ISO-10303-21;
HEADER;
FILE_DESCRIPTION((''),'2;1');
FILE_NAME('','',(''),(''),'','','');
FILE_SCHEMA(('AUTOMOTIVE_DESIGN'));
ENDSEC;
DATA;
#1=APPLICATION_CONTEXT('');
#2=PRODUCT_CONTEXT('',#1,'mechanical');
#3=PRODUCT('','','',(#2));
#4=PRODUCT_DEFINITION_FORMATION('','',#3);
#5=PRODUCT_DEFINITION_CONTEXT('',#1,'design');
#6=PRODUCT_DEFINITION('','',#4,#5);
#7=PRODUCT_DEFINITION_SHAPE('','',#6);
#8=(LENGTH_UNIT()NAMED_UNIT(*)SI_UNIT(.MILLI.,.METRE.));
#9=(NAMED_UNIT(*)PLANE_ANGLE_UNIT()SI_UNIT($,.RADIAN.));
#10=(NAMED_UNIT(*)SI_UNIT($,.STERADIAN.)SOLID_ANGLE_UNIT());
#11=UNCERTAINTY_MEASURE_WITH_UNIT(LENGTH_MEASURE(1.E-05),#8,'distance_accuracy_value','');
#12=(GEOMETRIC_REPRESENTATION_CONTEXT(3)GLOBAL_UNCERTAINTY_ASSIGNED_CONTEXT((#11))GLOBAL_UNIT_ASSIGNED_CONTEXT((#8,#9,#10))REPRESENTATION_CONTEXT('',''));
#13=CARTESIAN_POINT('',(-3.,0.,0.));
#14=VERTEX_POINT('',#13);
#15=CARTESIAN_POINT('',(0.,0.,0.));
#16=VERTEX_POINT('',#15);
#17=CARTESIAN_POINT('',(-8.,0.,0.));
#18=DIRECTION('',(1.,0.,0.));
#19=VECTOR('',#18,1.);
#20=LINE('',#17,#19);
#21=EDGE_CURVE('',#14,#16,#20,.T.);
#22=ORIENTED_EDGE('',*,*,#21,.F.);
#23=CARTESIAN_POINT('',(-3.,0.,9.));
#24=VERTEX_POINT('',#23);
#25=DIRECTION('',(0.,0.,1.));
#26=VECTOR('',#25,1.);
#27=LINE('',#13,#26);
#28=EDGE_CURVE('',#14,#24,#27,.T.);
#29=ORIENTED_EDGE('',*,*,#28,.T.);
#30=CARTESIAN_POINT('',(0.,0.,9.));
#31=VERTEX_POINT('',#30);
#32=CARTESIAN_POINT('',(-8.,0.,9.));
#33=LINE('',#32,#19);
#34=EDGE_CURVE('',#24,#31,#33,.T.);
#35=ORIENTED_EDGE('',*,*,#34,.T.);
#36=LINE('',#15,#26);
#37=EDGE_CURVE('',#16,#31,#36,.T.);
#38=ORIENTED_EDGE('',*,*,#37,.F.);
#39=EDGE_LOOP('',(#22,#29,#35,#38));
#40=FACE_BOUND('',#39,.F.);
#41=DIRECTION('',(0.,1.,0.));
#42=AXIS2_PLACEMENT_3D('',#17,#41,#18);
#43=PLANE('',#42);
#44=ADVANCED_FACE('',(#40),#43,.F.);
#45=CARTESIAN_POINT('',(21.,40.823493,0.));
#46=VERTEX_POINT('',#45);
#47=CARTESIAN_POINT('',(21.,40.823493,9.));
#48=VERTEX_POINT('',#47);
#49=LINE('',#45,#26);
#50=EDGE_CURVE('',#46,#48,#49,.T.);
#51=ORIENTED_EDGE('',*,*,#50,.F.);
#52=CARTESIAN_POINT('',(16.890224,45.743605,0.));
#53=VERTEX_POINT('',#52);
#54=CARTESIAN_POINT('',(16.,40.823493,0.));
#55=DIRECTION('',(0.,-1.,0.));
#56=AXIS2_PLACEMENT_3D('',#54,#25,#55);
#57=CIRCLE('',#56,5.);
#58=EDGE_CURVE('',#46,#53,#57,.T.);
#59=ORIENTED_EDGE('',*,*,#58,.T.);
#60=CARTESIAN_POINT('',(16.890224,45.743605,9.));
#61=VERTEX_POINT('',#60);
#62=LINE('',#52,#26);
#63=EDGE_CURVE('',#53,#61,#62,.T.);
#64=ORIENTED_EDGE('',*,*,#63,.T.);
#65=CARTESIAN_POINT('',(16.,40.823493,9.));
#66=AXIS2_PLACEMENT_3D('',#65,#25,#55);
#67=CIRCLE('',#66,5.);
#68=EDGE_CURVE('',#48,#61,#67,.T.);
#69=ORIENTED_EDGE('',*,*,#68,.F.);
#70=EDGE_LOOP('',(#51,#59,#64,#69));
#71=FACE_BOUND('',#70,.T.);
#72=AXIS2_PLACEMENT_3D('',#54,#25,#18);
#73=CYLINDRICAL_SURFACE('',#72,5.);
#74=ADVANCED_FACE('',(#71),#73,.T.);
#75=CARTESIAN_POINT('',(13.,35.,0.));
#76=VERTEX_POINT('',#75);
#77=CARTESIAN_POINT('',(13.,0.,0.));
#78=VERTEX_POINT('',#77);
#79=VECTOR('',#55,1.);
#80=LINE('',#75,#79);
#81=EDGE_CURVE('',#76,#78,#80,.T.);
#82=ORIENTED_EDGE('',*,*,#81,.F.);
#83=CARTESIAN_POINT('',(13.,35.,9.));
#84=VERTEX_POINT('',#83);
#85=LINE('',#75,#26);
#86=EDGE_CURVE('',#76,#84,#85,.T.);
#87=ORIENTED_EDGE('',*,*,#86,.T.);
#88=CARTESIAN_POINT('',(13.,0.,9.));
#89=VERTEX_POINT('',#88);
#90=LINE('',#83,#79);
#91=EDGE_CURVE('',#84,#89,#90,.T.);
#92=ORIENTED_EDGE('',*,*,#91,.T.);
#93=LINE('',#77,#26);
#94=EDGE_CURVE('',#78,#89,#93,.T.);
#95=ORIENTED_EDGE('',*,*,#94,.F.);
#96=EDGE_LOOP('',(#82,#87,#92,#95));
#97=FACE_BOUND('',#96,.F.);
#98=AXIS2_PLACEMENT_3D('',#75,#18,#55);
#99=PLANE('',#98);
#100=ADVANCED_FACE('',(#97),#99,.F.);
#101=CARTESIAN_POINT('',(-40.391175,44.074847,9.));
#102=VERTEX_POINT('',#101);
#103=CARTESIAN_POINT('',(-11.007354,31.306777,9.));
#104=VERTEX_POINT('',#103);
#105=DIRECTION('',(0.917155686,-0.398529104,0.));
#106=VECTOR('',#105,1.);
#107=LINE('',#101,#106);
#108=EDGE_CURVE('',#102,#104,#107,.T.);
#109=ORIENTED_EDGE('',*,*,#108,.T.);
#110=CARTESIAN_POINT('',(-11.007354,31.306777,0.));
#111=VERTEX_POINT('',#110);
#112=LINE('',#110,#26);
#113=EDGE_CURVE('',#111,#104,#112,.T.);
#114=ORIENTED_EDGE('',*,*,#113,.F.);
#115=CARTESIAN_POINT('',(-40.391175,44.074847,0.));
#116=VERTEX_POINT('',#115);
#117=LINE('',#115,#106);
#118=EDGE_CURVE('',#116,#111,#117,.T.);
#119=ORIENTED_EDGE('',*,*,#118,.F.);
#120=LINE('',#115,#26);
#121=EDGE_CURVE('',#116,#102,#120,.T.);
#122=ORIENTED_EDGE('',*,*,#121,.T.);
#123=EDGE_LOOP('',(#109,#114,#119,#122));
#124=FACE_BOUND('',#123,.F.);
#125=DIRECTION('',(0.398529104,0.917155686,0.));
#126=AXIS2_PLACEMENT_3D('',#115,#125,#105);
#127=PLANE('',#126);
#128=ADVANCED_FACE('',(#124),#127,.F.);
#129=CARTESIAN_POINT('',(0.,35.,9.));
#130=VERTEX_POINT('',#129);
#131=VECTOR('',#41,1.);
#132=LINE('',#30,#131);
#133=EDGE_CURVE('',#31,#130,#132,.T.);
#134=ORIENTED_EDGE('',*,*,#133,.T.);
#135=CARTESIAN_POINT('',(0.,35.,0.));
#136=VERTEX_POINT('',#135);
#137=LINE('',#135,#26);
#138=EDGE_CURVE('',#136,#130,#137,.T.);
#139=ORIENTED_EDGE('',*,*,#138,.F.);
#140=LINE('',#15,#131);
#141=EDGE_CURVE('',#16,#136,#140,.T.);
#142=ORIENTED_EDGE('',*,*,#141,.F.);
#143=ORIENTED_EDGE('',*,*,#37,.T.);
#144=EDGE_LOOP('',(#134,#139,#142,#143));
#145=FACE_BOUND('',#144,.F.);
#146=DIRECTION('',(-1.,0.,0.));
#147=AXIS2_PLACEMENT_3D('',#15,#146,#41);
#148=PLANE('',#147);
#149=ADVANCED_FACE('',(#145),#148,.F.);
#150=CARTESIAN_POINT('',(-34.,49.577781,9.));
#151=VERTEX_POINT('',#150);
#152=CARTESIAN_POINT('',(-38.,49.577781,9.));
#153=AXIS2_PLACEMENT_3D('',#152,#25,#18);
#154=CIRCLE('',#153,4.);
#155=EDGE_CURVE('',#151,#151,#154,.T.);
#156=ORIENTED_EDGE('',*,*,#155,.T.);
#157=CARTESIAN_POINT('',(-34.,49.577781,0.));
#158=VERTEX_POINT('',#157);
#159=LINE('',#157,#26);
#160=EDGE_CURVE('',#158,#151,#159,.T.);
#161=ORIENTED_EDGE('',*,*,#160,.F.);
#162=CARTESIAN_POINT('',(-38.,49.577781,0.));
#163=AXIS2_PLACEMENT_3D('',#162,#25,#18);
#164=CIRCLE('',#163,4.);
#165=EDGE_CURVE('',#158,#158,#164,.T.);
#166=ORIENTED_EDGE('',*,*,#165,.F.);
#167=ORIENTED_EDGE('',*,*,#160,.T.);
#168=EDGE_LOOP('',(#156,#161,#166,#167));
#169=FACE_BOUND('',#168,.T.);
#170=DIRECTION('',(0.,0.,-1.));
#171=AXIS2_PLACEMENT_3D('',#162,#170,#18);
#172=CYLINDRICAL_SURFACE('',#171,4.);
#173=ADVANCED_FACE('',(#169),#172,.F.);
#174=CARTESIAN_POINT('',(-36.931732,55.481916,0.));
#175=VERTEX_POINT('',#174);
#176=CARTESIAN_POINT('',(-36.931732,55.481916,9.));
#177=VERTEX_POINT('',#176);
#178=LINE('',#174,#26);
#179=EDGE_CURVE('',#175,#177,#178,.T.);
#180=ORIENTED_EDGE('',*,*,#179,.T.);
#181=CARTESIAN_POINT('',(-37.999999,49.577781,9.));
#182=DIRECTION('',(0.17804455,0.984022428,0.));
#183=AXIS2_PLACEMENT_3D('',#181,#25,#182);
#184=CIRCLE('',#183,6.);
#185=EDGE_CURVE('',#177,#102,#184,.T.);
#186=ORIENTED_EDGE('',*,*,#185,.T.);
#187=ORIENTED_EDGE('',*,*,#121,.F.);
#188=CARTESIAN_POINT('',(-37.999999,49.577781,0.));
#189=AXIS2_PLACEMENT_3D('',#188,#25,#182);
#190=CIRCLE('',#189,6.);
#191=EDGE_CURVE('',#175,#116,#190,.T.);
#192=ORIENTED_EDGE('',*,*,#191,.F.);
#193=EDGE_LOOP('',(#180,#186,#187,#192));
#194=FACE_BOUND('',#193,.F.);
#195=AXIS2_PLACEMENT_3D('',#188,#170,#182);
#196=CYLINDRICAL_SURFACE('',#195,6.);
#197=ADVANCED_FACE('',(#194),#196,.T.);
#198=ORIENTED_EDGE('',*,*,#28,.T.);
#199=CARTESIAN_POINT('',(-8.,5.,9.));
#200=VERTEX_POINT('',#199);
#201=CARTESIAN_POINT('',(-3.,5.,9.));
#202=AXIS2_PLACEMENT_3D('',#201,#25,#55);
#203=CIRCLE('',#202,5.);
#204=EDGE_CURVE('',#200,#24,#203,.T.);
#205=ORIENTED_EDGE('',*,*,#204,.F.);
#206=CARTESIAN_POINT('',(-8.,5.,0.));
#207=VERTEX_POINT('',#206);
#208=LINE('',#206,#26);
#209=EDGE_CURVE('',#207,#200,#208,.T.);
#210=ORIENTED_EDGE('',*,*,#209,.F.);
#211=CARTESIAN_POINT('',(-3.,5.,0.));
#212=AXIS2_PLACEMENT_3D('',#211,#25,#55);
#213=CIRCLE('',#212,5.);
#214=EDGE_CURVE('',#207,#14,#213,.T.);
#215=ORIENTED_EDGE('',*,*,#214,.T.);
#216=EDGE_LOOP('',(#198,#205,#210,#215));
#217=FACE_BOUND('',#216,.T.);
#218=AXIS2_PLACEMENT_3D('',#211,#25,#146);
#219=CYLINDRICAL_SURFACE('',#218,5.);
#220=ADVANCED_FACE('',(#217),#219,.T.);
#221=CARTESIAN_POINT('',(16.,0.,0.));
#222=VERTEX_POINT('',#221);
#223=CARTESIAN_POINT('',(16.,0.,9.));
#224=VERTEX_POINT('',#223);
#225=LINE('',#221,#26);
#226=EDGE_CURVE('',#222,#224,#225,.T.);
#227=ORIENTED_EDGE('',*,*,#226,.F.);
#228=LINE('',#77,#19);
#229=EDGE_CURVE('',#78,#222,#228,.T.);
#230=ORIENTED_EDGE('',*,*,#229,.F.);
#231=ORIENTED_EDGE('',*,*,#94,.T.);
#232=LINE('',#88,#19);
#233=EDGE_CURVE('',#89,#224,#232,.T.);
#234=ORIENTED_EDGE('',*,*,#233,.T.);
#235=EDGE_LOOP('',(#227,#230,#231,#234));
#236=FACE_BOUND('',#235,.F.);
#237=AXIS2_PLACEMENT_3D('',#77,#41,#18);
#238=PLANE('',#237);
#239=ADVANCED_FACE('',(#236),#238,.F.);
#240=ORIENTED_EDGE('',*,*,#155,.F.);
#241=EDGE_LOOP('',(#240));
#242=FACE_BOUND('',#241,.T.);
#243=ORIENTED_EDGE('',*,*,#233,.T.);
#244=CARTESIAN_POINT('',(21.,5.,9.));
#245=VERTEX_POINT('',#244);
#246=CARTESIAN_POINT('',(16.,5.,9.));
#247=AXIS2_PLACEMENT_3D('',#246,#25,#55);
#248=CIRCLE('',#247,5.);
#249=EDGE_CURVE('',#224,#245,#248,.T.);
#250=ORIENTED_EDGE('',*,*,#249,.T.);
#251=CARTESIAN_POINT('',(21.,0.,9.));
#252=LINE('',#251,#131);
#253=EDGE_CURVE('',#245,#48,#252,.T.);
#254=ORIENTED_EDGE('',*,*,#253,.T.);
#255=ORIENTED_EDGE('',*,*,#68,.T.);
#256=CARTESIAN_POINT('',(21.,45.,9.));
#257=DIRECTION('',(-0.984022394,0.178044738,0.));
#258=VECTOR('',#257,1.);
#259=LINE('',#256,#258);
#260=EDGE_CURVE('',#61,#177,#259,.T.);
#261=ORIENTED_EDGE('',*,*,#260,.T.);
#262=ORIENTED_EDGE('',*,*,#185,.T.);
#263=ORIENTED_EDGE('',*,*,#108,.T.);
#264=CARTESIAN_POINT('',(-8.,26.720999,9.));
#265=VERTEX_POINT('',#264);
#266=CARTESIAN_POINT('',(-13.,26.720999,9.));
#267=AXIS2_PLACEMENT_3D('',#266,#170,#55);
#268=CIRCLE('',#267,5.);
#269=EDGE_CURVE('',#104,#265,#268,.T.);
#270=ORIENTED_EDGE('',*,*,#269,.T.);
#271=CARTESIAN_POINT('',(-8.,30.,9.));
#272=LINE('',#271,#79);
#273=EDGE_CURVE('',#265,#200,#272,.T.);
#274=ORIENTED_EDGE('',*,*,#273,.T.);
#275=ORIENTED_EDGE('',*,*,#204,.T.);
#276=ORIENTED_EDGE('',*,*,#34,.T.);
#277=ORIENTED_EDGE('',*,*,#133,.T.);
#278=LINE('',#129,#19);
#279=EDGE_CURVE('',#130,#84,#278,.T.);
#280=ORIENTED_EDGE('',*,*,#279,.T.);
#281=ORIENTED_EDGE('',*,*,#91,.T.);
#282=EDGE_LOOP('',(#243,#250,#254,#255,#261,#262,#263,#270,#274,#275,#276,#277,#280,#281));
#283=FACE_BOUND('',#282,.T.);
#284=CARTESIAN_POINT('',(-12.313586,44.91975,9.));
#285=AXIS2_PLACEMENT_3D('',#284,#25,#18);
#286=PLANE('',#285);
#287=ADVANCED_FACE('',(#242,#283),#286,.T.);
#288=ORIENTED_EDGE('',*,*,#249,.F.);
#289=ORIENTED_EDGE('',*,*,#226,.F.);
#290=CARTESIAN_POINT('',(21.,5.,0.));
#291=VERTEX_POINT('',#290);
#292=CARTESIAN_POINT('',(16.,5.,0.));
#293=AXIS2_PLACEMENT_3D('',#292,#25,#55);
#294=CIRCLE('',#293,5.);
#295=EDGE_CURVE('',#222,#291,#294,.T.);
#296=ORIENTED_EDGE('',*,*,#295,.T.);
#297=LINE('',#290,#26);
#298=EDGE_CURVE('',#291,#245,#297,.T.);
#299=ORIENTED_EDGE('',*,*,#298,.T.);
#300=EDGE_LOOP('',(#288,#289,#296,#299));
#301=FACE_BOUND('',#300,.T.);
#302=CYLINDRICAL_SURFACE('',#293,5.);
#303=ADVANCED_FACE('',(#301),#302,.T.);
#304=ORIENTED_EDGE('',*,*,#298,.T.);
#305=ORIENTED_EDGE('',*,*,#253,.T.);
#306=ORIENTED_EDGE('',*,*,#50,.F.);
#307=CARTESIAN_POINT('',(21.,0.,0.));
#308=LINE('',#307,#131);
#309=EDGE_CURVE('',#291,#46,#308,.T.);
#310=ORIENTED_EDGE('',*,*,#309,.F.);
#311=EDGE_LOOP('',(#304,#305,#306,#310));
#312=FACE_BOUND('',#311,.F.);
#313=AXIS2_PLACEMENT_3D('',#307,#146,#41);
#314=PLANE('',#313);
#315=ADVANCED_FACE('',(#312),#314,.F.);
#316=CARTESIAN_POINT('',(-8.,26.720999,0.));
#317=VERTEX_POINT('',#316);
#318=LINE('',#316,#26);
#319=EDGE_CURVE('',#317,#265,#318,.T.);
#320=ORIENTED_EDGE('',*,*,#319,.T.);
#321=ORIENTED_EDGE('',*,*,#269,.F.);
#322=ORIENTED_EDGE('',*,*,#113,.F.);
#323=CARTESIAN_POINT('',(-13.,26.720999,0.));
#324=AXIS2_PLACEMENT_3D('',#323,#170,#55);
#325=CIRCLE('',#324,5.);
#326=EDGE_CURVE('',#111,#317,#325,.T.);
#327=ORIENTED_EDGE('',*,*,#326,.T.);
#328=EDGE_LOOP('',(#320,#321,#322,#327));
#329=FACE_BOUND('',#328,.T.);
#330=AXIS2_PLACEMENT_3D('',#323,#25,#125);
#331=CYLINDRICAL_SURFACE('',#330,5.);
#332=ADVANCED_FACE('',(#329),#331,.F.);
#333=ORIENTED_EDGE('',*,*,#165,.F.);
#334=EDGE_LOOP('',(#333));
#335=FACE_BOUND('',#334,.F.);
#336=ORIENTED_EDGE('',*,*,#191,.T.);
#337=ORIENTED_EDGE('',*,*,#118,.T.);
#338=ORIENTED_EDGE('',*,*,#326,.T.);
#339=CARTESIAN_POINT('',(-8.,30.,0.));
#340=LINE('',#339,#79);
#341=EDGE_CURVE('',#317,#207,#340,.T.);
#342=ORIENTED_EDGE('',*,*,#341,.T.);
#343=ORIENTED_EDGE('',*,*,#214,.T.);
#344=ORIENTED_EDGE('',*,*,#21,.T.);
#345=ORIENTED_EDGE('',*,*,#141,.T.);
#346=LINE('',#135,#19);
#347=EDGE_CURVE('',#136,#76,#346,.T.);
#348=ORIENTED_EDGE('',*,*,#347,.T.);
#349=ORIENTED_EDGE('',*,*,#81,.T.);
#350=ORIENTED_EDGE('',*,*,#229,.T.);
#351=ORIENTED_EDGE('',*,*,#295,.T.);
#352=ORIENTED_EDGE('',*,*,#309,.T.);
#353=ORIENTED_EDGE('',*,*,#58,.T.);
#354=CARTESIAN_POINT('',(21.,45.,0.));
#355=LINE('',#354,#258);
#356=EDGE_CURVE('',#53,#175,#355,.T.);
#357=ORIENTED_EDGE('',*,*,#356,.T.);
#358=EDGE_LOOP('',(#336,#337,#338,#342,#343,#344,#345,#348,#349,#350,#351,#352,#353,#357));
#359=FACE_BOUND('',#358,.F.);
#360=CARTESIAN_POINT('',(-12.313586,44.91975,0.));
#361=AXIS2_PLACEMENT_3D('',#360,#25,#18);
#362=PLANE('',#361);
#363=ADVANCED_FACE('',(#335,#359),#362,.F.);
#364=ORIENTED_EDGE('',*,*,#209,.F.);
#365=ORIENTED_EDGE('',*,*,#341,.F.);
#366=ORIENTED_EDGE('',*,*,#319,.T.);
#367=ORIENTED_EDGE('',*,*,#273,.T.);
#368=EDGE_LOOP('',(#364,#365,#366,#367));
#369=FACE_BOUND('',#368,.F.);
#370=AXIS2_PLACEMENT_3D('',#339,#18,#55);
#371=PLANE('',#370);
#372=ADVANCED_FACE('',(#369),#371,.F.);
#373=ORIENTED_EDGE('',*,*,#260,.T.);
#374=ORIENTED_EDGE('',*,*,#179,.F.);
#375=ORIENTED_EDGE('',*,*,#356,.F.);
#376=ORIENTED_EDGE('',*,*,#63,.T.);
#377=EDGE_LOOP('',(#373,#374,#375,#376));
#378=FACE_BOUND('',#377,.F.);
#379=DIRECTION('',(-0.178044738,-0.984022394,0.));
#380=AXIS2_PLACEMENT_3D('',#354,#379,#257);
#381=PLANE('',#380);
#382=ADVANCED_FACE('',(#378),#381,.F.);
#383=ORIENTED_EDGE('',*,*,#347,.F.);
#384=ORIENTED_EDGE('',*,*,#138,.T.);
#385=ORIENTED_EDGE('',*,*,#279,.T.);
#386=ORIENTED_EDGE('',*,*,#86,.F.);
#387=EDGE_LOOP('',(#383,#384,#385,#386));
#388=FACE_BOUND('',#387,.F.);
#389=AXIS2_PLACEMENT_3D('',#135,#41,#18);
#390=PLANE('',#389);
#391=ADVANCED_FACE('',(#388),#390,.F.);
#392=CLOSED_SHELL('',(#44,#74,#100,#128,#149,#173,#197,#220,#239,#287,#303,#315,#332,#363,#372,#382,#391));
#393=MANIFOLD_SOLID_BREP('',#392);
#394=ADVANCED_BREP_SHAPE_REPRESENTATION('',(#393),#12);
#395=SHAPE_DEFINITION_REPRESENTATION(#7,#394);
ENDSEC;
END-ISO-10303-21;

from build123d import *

# Parameters (mm, degrees)
F0_R     = 4
F1_DEPTH = 9
F2_R     = 5


with BuildPart() as f1:
    # F0 (on Top) → F1 (new body)
    with BuildSketch(Plane.XY):
        with BuildLine():
            Line((-40.391175, 44.074847), (-8, 30))
            Line((-8, 30), (-8, 45))
            Line((-8, 45), (21, 45))
            Line((21, 45), (-36.931732, 55.481916))
            ThreePointArc((-36.931732, 55.481916), (-33.395132, 53.424234), (-32, 49.577781))
            ThreePointArc((-32, 49.577781), (-34.709639, 44.560459), (-40.391175, 44.074847))
        make_face()
        with BuildLine():
            ThreePointArc((-36.931732, 55.481916), (-43.741761, 51.319096), (-40.391175, 44.074847))
            ThreePointArc((-40.391175, 44.074847), (-34.709639, 44.560459), (-32, 49.577781))
            ThreePointArc((-32, 49.577781), (-33.395132, 53.424234), (-36.931732, 55.481916))
        make_face()
        with Locations((-38, 49.577781)):
            Circle(F0_R, mode=Mode.SUBTRACT)
        Polygon((-8, 0), (0, 0), (0, 35), (13, 35), (13, 0), (21, 0), (21, 45), (-8, 45), (-8, 30), align=None)
    extrude(amount=F1_DEPTH)

    # F2
    f2_edges = [f1.edges().sort_by_distance(p)[0] for p in [
        (-8, 30, 4.5),
        (21, 45, 4.5),
        (-8, 0, 4.5),
        (21, 0, 4.5),
    ]]
    fillet(f2_edges, radius=F2_R)


solid = f1.part
